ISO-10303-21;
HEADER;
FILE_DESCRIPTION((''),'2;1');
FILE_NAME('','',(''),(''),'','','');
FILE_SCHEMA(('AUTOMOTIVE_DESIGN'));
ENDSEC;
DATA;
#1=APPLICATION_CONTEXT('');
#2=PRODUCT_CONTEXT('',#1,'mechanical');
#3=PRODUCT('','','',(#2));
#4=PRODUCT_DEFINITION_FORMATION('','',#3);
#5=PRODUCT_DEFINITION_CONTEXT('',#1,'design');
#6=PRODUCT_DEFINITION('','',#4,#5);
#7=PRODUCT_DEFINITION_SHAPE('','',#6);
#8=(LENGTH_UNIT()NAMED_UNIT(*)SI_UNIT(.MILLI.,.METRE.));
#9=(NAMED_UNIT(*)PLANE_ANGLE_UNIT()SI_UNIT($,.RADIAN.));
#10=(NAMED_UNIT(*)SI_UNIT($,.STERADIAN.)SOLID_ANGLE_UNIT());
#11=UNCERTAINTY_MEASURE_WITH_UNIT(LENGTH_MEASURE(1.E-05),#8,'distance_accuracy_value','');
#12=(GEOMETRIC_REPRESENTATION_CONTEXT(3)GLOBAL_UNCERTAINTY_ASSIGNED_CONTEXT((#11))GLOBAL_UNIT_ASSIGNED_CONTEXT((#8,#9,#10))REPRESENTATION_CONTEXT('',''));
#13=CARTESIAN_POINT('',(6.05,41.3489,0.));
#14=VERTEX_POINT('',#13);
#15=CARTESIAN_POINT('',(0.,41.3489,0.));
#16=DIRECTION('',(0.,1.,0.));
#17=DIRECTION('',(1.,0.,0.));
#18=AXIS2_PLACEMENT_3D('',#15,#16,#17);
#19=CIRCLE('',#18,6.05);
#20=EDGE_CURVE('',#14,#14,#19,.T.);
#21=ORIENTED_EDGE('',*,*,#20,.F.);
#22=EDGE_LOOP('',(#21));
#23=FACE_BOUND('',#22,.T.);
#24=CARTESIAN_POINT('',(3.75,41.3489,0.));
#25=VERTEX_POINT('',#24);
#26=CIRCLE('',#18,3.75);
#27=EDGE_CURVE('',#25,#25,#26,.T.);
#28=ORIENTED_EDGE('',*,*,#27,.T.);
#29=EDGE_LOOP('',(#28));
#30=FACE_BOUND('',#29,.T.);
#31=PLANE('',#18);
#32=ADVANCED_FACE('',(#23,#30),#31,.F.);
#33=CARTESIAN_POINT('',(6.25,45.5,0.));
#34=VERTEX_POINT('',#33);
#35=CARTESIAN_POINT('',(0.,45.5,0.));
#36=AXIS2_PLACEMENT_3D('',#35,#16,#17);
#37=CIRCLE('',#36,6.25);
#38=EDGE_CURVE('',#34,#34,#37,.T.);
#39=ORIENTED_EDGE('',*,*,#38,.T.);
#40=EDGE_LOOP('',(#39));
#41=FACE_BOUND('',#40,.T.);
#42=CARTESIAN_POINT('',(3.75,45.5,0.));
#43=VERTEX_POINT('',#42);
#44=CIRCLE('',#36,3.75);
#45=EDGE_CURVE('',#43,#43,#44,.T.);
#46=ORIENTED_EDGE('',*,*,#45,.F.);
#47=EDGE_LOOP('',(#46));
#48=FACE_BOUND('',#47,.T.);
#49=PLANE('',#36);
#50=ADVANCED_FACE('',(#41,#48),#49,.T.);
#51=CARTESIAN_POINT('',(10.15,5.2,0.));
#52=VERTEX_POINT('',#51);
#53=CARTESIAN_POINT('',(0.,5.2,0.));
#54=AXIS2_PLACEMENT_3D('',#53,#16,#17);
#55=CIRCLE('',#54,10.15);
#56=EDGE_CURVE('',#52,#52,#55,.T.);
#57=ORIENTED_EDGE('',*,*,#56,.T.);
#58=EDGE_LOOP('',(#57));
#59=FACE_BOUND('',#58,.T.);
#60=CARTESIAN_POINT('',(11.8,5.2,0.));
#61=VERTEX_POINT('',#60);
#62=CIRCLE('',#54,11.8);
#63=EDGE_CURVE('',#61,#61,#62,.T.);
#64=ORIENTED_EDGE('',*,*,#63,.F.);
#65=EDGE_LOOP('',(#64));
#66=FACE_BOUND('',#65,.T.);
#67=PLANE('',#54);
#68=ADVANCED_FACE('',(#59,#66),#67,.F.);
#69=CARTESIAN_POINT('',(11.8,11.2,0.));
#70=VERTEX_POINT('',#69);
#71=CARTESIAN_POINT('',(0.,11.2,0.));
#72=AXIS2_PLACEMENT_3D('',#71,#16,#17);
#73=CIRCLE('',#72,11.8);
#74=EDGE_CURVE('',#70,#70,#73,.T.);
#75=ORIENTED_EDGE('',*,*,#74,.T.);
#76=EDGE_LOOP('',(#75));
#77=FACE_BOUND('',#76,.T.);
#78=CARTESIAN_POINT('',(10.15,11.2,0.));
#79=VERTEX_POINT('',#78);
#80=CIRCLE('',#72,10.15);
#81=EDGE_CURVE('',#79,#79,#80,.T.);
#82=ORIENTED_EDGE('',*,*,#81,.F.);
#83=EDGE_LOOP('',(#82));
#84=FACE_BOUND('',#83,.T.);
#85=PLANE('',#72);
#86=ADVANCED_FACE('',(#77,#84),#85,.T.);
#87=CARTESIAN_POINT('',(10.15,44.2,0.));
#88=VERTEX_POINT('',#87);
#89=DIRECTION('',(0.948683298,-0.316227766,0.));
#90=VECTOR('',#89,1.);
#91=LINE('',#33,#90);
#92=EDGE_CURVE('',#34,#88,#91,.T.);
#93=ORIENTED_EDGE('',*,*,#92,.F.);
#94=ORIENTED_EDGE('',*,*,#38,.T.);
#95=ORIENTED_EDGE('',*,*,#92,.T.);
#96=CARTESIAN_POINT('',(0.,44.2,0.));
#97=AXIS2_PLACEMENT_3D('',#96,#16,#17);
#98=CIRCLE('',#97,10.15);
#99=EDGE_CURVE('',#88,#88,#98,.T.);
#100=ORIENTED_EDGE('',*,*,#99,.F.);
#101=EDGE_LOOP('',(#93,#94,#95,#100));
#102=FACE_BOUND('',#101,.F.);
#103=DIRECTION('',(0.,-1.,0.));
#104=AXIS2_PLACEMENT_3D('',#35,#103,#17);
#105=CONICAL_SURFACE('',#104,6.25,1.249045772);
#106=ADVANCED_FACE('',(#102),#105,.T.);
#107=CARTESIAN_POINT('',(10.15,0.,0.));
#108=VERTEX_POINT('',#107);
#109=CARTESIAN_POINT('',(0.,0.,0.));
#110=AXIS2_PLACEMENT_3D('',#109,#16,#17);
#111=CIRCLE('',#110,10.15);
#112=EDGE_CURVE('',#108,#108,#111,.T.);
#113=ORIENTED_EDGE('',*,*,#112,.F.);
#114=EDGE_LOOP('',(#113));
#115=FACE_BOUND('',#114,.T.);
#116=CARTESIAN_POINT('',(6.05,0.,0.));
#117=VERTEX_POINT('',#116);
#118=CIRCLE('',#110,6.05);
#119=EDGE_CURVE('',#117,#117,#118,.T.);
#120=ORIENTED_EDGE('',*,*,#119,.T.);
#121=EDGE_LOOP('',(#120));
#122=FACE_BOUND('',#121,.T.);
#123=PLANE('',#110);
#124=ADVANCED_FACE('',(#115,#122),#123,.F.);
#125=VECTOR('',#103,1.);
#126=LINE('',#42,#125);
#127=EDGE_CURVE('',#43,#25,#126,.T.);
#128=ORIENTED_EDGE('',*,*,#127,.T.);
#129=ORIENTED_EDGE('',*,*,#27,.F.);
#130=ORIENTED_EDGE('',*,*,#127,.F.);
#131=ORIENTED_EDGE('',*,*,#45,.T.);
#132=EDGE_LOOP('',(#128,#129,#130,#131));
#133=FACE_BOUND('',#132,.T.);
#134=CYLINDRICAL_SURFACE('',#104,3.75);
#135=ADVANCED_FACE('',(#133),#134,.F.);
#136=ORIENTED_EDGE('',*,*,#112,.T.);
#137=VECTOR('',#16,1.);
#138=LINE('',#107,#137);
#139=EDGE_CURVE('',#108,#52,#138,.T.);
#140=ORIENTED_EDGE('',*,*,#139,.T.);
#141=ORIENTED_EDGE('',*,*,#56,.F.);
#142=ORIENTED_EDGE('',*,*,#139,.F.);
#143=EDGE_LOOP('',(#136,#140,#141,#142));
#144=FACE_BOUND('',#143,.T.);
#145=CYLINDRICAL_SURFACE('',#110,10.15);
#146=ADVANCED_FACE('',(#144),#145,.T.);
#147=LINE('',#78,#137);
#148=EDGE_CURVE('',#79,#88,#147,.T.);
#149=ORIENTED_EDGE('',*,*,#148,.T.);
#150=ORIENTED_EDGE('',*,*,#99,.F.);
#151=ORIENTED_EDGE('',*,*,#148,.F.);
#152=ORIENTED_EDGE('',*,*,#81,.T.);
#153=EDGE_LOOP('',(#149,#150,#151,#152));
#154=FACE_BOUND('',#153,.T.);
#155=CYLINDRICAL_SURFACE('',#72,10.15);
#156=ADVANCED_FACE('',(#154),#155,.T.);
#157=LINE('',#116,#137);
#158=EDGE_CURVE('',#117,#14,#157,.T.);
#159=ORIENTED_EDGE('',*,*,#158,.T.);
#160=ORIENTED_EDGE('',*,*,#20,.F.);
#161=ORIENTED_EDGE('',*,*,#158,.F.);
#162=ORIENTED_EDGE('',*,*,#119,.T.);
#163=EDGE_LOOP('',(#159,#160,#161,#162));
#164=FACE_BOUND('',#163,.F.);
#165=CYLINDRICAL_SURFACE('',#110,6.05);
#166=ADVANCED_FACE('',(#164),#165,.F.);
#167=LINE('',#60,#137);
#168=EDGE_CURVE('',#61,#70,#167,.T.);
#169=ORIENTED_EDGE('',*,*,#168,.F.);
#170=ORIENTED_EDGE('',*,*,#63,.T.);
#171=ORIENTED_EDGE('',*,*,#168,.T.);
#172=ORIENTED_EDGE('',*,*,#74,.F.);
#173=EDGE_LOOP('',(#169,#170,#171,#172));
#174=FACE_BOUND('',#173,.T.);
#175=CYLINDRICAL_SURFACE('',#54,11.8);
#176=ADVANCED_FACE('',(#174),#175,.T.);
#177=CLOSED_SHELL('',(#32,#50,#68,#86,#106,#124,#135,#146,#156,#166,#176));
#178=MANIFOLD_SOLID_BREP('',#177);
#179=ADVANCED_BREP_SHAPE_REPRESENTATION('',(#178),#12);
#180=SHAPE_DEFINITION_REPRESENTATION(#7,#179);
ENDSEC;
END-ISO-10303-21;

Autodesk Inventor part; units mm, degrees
ref_plane "XZ Plane" through (0, 0, 0) normal (0, 1, 0) x (-1, 0, 0)
sketch "Sketch1" plane through (0, 0, 0) normal (0, 0, 1) x (1, 0, 0)
  line L0 (6.05, 0) -> (6.05, 41.3489)
  line L1 (6.05, 0) -> (10.15, 0)
  line L2 (10.15, 0) -> (10.15, 5.2)
  line L3 (10.15, 5.2) -> (11.8, 5.2)
  line L4 (11.8, 5.2) -> (11.8, 11.2)
  line L5 (11.8, 11.2) -> (10.15, 11.2)
  line L6 (0, -9.1) -> (0, 54.6) construction
  line L7 (10.15, 11.2) -> (10.15, 44.2)
  line L8 (6.25, 45.5) -> (10.15, 44.2)
  line L9 (6.25, 45.5) -> (3.75, 45.5)
  line L10 (3.75, 45.5) -> (3.75, 41.3489)
  line L11 (3.75, 41.3489) -> (6.05, 41.3489)
  point P0 (0, 0)
  dimension "d0" = 10.15
  dimension "d1" = 4.1
  dimension "d2" = 11.2
  dimension "d3" = 11.8
  dimension "d5" = 6.05
  dimension "d9" = 44.2
  dimension "d11" = 45.5
  dimension "d13" = 6
  dimension "d14" = 3.75
  dimension "d15" = 4.1511
  dimension "d16" = 6.25
revolve "Revolution1" add sketch "Sketch1" angle 360 about axis through (0, -10, 0) along (0, 1, 0)
properties part number "Objective-Lens"
